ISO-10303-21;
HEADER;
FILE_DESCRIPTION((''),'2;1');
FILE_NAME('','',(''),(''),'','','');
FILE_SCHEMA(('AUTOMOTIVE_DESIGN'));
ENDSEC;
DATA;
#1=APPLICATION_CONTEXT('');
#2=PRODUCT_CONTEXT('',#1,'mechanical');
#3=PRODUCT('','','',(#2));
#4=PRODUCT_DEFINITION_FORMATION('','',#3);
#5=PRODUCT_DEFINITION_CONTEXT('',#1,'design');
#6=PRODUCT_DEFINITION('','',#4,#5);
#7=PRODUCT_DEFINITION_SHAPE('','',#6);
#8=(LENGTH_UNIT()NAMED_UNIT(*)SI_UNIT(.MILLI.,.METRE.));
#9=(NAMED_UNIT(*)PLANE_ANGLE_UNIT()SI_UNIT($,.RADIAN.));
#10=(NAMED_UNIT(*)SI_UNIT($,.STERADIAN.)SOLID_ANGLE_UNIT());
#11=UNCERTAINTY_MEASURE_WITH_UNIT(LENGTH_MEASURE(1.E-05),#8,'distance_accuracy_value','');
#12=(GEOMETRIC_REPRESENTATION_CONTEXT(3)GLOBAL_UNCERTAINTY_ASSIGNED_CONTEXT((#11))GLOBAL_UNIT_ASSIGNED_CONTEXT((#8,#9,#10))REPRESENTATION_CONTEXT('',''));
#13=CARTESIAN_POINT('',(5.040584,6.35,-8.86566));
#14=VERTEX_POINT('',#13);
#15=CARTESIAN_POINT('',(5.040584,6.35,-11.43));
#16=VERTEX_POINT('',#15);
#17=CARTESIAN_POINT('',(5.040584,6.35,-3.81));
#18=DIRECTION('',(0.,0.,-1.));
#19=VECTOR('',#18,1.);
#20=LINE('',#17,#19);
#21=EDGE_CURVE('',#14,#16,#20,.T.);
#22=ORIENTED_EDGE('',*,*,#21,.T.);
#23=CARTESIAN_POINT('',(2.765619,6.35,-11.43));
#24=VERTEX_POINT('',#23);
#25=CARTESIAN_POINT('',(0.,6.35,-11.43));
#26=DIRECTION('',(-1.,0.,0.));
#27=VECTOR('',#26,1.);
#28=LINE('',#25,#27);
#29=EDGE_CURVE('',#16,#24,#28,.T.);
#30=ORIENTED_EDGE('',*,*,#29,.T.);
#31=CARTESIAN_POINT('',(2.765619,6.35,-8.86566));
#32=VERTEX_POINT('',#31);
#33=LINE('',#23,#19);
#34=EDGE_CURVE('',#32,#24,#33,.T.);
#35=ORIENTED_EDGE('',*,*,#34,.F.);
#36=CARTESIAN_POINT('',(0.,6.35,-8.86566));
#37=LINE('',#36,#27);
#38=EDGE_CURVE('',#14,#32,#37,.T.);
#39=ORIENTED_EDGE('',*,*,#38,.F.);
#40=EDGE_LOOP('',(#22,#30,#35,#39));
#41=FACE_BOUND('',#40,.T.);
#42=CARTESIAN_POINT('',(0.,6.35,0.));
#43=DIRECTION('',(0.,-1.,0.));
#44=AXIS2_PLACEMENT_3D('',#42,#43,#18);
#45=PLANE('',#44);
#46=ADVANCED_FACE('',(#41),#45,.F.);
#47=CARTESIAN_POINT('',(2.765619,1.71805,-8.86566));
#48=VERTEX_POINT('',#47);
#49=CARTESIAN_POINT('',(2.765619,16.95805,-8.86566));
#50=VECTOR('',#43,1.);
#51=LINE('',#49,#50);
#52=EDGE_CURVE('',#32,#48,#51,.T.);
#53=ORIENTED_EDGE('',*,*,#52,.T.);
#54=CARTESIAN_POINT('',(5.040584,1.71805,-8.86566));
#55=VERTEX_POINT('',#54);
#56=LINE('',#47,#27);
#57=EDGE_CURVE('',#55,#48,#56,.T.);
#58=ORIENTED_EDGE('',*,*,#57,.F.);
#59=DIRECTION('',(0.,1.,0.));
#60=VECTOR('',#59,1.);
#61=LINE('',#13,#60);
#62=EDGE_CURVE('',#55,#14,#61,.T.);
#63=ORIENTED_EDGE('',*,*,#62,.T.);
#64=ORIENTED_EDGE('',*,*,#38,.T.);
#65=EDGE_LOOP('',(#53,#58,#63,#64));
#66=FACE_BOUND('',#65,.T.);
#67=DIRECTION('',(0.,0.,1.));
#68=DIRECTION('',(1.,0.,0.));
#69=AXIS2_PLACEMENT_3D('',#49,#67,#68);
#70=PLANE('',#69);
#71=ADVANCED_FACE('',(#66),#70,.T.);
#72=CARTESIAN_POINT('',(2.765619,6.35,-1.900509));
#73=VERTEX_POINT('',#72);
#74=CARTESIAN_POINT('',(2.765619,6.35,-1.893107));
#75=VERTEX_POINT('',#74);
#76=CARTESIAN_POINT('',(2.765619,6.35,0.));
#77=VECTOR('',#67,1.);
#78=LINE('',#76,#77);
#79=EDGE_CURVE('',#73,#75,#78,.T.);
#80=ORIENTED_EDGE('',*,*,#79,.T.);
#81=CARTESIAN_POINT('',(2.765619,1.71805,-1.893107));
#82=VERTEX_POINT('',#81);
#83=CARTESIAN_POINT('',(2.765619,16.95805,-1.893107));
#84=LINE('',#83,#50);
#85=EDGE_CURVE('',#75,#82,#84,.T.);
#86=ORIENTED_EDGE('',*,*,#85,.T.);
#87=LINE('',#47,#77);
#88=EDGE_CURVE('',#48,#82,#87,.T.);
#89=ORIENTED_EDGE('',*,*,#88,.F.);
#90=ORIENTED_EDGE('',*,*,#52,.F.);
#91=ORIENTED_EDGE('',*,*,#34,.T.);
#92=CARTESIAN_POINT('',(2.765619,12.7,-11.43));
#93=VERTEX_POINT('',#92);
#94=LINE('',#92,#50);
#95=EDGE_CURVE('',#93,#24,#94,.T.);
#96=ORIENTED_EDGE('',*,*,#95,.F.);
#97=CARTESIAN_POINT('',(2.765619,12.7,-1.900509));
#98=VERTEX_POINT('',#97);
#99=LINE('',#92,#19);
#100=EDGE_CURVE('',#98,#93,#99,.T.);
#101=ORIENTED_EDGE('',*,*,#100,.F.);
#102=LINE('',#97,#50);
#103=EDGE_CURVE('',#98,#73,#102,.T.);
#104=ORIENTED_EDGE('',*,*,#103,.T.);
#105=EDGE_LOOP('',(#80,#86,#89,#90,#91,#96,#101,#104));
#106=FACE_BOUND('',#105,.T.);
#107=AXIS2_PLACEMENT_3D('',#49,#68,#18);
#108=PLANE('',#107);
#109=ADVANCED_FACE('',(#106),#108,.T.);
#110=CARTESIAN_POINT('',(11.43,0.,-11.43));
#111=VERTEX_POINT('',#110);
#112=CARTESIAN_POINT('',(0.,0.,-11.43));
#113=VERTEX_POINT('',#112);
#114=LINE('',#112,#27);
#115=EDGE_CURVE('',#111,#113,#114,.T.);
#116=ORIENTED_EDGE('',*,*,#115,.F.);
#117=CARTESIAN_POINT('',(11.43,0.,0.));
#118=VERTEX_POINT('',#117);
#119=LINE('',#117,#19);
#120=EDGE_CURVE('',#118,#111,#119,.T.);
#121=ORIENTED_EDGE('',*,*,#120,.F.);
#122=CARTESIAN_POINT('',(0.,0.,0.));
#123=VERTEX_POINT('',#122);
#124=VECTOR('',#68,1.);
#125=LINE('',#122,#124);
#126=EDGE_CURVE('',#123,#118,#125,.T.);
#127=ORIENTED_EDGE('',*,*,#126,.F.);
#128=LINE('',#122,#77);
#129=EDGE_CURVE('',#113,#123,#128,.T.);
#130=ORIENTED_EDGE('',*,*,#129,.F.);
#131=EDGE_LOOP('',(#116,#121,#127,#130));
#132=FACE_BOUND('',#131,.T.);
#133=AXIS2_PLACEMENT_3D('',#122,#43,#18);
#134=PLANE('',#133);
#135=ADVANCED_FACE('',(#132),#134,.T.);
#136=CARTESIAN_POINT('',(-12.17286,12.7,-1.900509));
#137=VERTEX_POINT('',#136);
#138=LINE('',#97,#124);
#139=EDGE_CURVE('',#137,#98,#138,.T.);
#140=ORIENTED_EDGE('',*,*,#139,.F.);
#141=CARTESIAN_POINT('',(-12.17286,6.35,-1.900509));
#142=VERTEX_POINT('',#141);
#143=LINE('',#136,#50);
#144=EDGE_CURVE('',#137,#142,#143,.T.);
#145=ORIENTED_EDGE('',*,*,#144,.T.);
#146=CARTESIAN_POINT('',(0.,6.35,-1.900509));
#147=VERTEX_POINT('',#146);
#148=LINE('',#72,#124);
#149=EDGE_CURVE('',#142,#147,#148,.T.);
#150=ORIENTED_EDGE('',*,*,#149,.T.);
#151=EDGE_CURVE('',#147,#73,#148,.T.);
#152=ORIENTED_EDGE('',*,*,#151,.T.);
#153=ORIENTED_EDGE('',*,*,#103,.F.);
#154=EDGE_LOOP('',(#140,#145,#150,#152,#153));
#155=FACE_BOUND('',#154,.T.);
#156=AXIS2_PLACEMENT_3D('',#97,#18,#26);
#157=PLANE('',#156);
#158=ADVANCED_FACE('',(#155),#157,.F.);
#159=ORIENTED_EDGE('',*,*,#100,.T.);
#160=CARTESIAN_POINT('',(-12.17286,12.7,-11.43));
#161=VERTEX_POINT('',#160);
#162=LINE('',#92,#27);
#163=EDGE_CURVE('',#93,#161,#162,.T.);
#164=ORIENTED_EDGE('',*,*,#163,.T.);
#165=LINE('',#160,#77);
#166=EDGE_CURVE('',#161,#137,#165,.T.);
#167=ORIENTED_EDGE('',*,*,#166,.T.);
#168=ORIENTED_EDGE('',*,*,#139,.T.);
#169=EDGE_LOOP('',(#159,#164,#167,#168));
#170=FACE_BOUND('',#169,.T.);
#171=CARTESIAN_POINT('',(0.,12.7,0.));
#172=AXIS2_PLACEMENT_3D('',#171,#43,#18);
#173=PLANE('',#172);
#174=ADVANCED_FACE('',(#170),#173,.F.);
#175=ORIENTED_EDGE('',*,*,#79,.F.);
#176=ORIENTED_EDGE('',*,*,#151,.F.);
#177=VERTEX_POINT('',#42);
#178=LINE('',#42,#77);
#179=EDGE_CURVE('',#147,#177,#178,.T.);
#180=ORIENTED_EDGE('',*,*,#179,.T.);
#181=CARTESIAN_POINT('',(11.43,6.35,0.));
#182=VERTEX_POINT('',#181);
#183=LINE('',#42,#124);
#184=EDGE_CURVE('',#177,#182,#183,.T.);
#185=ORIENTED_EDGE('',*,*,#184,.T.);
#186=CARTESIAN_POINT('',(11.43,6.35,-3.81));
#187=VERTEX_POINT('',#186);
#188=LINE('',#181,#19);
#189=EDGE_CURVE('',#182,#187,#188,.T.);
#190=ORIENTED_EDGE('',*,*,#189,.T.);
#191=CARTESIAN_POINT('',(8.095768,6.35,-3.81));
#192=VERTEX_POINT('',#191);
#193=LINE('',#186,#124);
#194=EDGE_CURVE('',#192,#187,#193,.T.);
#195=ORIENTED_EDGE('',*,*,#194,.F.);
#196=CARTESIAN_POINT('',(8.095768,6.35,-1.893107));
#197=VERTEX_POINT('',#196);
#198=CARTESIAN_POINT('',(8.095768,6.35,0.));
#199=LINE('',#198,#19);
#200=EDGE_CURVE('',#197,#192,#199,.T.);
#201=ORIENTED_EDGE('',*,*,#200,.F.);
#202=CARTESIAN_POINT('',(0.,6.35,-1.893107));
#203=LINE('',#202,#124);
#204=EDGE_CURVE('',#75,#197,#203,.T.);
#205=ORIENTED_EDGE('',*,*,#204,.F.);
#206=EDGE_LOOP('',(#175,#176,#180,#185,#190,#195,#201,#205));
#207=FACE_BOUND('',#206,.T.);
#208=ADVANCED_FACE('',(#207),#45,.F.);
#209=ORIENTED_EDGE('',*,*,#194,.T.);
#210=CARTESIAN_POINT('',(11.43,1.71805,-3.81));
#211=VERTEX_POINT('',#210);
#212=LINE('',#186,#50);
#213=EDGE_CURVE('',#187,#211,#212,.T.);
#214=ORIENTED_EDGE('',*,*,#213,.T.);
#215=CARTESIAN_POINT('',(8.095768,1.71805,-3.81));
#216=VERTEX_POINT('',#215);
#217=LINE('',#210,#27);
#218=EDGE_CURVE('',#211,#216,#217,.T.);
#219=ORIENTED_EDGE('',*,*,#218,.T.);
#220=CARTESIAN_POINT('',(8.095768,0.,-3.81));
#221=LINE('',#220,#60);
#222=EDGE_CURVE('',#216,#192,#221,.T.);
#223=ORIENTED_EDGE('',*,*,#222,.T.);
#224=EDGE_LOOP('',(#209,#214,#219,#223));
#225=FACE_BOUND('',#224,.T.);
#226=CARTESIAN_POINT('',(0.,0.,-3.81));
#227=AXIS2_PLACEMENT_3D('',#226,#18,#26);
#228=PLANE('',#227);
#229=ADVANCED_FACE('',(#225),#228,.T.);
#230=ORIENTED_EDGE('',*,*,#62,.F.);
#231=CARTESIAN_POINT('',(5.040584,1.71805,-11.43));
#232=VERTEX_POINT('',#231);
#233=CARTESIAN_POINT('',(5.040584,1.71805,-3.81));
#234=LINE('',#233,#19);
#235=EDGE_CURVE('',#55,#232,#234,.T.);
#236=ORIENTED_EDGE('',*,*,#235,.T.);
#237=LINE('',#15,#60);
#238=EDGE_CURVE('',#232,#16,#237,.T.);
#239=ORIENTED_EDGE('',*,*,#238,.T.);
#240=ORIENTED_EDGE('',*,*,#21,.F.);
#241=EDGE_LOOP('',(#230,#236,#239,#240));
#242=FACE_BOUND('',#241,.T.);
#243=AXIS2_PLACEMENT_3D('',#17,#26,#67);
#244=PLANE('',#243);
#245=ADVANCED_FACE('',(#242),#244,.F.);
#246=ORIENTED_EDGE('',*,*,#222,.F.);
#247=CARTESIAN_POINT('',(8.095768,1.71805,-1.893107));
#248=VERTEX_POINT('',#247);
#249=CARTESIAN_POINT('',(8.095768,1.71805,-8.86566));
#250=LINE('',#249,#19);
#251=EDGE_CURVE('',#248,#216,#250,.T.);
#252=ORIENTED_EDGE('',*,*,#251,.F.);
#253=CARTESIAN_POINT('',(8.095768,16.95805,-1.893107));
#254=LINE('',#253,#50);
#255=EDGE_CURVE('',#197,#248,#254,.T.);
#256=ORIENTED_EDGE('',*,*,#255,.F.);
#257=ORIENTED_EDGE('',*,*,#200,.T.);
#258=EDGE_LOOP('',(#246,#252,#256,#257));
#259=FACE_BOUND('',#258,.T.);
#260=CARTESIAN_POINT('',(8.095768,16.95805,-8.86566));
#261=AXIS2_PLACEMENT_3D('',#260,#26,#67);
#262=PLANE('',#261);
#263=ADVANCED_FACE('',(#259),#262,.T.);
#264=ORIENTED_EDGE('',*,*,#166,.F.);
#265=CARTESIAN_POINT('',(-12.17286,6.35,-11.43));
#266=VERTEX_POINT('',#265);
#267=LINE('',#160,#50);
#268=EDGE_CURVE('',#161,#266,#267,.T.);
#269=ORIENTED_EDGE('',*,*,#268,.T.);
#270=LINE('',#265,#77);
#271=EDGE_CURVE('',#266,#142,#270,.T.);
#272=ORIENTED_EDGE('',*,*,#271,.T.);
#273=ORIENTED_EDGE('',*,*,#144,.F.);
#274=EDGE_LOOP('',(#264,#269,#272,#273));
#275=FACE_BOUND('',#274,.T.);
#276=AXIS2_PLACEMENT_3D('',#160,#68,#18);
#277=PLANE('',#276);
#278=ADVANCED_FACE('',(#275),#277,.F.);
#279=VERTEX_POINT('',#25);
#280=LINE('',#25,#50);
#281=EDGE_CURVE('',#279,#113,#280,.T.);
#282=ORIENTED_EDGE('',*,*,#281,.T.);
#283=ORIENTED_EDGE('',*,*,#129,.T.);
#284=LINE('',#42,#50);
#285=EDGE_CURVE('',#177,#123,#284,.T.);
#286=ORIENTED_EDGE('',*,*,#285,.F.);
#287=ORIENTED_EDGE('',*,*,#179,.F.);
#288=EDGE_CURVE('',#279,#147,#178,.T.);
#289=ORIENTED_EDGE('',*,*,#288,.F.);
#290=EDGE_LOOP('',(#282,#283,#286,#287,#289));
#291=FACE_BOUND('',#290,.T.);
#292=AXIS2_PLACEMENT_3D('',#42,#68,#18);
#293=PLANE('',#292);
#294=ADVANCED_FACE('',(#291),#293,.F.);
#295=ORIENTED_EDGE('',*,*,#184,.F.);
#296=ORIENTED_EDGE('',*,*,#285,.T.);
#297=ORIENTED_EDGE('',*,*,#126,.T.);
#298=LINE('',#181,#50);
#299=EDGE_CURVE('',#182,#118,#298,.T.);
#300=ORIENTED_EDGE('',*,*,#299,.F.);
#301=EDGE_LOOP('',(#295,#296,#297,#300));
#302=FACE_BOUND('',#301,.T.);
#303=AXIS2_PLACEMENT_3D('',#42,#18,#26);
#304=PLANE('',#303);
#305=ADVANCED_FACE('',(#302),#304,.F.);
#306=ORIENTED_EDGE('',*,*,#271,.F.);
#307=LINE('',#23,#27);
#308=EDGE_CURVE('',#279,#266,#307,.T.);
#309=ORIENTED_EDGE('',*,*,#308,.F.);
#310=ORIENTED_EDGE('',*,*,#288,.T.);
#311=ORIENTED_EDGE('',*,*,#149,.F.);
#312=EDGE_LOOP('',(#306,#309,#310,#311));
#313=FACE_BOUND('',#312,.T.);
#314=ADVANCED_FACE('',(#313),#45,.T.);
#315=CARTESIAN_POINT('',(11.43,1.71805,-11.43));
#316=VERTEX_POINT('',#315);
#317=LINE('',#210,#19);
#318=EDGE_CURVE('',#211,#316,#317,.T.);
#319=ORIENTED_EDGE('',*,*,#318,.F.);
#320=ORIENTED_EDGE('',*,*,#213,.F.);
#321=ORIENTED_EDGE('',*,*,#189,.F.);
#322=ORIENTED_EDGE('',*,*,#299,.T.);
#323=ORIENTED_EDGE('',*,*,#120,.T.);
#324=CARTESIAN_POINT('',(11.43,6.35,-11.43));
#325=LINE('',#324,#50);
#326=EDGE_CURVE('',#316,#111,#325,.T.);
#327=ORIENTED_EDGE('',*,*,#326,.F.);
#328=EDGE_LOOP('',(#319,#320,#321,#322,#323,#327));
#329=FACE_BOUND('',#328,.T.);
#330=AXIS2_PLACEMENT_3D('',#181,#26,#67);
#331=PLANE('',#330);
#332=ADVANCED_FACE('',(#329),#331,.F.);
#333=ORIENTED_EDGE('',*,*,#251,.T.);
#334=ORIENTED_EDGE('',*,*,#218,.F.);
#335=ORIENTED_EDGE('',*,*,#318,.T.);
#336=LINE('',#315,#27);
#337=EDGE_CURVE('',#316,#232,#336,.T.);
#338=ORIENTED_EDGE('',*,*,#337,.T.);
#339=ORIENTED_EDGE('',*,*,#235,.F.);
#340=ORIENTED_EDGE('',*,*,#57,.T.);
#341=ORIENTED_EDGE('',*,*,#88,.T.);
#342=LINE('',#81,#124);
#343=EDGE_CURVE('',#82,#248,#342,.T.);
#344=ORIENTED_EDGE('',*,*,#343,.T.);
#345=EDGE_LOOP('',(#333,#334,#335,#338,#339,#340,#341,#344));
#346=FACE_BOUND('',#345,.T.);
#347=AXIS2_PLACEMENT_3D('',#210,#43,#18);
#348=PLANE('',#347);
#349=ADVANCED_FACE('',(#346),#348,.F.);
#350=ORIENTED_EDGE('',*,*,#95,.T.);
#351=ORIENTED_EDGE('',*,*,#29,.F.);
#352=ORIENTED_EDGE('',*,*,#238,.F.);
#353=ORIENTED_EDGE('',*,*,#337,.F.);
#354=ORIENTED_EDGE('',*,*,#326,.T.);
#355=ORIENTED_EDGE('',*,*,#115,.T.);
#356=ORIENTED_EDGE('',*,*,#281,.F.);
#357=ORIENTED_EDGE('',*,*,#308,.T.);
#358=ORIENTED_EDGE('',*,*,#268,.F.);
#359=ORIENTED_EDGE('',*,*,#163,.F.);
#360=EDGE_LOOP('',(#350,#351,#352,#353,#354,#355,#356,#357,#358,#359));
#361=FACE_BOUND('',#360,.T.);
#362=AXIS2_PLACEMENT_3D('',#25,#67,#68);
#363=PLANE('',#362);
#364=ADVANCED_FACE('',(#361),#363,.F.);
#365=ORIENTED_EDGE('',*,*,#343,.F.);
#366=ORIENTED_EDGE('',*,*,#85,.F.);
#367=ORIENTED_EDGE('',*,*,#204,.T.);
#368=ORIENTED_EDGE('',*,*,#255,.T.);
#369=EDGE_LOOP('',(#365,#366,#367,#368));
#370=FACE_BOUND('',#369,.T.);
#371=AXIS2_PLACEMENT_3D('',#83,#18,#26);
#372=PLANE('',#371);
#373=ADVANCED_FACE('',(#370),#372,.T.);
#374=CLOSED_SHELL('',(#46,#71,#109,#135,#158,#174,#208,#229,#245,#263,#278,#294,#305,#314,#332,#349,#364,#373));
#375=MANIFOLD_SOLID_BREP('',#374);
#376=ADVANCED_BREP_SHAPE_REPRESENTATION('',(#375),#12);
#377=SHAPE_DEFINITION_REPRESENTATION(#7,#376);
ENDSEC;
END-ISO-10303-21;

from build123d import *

# Parameters (mm, degrees)
SKETCH1_W           = 11.43
SKETCH1_H           = 11.43
BOSS_EXTRUDE1_DEPTH = 6.35
SKETCH3_W           = 6.389415989
SKETCH3_H           = 4.631950103
CUT_EXTRUDE1_DEPTH  = 7.62
SKETCH4_W           = 5.33014865
SKETCH4_H           = 6.972552684
CUT_EXTRUDE2_DEPTH  = 15.24
SKETCH5_W           = 14.938478928
SKETCH5_H           = 9.529491398
BOSS_EXTRUDE2_DEPTH = 6.35


with BuildPart() as part:
    # Sketch1 → Boss-Extrude1 (new body)
    with BuildSketch(Plane(origin=(0, 0, 0), x_dir=(1, 0, 0), z_dir=(0, 1, 0))):
        with Locations((5.715, 5.715)):
            Rectangle(SKETCH1_W, SKETCH1_H)
    extrude(amount=BOSS_EXTRUDE1_DEPTH)

    # Sketch3 → Cut-Extrude1 (cut)
    with BuildSketch(Plane(origin=(0, 0, -11.43), x_dir=(-1, 0, 0), z_dir=(0, 0, -1))):
        with Locations((-8.235292005, 4.034024949)):
            Rectangle(SKETCH3_W, SKETCH3_H)
    extrude(amount=-CUT_EXTRUDE1_DEPTH, mode=Mode.SUBTRACT)

    # Sketch4 → Cut-Extrude2 (cut)
    with BuildSketch(Plane(origin=(0, 1.718049897, 0), x_dir=(1, 0, 0), z_dir=(0, 1, 0))):
        with Locations((5.430693356, 5.379383443)):
            Rectangle(SKETCH4_W, SKETCH4_H)
    extrude(amount=CUT_EXTRUDE2_DEPTH, mode=Mode.SUBTRACT)

    # Sketch5 → Boss-Extrude2 (add)
    with BuildSketch(Plane(origin=(0, 6.35, 0), x_dir=(1, 0, 0), z_dir=(0, 1, 0))):
        with Locations((-4.703620433, 6.665254301)):
            Rectangle(SKETCH5_W, SKETCH5_H)
    extrude(amount=BOSS_EXTRUDE2_DEPTH)


solid = part.part
